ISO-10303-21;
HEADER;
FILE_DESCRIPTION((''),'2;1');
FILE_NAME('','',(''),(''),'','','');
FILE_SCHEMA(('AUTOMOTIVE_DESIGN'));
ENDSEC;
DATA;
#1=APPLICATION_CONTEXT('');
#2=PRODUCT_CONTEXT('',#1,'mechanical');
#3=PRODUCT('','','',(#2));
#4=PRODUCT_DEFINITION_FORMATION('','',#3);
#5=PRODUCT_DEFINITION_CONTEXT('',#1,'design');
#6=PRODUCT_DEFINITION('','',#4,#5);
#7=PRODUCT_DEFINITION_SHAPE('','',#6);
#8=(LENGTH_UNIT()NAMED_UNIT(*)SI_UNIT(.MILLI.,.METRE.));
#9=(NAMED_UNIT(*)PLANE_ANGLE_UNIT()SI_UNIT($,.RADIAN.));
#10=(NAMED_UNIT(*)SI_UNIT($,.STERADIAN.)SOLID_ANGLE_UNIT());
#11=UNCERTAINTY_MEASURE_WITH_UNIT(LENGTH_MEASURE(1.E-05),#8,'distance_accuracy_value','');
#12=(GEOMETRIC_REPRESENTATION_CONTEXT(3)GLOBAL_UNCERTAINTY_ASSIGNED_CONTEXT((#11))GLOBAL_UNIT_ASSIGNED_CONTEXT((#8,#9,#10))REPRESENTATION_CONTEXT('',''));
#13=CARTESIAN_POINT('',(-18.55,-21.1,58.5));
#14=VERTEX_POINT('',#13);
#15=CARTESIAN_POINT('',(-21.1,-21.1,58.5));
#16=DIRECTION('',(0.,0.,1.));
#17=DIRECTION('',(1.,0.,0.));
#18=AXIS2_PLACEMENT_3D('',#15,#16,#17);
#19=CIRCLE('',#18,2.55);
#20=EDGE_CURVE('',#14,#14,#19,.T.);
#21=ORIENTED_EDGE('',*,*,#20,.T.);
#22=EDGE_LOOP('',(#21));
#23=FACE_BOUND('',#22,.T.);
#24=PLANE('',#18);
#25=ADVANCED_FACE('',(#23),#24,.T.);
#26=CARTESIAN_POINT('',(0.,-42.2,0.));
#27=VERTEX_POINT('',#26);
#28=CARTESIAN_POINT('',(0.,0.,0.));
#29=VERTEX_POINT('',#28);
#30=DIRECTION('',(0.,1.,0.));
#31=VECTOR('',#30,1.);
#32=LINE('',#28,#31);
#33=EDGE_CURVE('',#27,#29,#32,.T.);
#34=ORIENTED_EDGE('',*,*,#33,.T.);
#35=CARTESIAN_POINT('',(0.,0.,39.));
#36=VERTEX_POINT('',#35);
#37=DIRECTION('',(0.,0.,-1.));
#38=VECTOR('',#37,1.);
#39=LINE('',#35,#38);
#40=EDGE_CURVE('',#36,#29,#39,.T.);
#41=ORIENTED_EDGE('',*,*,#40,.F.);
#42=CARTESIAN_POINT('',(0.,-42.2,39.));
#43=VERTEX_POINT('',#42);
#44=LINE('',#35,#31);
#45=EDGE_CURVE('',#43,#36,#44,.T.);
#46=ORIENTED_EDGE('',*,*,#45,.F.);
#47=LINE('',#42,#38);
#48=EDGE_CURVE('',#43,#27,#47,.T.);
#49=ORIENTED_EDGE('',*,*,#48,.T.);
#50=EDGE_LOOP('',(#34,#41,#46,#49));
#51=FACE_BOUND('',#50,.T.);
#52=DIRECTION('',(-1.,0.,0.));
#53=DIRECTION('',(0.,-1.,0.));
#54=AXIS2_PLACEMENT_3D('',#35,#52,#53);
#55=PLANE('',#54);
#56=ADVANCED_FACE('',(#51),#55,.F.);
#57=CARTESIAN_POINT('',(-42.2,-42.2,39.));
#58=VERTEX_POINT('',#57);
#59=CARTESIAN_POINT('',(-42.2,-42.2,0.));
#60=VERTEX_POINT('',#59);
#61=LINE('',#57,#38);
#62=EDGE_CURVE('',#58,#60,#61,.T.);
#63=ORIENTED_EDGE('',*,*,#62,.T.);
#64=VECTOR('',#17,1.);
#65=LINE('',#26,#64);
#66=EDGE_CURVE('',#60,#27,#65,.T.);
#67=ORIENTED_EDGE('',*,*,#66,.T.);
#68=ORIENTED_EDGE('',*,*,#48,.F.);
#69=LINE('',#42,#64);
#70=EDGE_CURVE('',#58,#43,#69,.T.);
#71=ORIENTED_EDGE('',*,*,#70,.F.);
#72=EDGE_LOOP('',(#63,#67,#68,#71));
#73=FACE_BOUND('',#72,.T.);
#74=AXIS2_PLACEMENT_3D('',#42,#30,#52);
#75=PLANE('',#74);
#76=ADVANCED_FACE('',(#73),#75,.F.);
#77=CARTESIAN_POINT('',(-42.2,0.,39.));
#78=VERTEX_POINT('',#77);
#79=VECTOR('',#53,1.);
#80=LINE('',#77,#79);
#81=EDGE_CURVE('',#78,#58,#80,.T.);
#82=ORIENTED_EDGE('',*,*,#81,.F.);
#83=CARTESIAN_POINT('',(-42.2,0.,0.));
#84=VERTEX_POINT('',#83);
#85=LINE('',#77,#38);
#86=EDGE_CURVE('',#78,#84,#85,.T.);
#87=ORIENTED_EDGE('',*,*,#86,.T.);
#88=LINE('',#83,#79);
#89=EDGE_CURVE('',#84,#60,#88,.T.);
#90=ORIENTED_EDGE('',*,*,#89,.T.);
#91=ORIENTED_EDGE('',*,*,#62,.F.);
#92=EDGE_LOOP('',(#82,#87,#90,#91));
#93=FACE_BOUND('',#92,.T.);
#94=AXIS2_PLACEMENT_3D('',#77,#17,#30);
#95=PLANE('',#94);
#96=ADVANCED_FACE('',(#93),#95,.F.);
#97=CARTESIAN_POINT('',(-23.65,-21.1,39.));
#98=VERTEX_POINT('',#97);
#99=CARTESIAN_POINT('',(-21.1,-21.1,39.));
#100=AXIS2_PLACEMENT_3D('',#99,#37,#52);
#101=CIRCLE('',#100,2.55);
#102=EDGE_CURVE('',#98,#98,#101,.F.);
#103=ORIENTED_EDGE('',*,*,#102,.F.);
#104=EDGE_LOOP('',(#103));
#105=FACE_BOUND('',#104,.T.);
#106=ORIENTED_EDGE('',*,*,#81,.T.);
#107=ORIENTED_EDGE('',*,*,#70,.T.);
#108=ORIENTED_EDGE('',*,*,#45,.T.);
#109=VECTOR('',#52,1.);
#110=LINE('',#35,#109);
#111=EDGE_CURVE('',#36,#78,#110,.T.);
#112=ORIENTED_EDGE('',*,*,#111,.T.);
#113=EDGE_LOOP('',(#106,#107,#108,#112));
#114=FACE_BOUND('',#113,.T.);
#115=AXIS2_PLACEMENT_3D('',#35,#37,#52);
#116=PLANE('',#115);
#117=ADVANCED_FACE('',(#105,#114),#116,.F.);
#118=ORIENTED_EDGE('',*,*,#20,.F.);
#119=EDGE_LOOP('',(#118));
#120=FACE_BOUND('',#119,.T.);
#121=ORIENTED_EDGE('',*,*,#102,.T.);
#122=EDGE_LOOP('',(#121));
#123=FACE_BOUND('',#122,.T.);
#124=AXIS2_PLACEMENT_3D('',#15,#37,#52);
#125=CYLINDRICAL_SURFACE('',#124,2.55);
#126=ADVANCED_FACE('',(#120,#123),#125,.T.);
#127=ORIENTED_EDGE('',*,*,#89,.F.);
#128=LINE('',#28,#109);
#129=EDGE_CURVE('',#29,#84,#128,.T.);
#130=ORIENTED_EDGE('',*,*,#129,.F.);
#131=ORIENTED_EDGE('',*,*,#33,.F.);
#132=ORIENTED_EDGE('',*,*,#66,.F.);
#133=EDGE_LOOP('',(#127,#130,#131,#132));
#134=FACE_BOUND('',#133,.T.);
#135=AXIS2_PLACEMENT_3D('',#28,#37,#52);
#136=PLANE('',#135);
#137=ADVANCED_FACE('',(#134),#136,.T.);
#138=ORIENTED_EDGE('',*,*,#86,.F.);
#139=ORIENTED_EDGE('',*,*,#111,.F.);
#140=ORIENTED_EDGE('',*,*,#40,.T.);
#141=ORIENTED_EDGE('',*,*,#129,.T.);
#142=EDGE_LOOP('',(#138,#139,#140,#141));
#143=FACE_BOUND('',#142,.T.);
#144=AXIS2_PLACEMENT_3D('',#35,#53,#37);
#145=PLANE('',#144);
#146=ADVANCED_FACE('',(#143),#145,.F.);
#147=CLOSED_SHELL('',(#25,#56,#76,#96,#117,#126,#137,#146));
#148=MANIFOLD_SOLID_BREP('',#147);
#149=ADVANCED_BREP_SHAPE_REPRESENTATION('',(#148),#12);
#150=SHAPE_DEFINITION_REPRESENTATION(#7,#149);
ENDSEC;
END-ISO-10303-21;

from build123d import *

# Parameters (mm, degrees)
SKETCH1_W           = 42.2
SKETCH1_H           = 42.2
BOSS_EXTRUDE1_DEPTH = 39
SKETCH2_R           = 2.55
BOSS_EXTRUDE2_DEPTH = 19.5


with BuildPart() as part:
    # Sketch1 → Boss-Extrude1 (new body)
    with BuildSketch(Plane.XY):
        with Locations((-21.1, -21.1)):
            Rectangle(SKETCH1_W, SKETCH1_H)
    extrude(amount=BOSS_EXTRUDE1_DEPTH)

    # Sketch2 → Boss-Extrude2 (add)
    with BuildSketch(Plane.XY.offset(39)):
        with Locations(Location((-21.1, -21.1, 0), (0, 0, 180))):
            Circle(SKETCH2_R)
    extrude(amount=BOSS_EXTRUDE2_DEPTH)


solid = part.part
